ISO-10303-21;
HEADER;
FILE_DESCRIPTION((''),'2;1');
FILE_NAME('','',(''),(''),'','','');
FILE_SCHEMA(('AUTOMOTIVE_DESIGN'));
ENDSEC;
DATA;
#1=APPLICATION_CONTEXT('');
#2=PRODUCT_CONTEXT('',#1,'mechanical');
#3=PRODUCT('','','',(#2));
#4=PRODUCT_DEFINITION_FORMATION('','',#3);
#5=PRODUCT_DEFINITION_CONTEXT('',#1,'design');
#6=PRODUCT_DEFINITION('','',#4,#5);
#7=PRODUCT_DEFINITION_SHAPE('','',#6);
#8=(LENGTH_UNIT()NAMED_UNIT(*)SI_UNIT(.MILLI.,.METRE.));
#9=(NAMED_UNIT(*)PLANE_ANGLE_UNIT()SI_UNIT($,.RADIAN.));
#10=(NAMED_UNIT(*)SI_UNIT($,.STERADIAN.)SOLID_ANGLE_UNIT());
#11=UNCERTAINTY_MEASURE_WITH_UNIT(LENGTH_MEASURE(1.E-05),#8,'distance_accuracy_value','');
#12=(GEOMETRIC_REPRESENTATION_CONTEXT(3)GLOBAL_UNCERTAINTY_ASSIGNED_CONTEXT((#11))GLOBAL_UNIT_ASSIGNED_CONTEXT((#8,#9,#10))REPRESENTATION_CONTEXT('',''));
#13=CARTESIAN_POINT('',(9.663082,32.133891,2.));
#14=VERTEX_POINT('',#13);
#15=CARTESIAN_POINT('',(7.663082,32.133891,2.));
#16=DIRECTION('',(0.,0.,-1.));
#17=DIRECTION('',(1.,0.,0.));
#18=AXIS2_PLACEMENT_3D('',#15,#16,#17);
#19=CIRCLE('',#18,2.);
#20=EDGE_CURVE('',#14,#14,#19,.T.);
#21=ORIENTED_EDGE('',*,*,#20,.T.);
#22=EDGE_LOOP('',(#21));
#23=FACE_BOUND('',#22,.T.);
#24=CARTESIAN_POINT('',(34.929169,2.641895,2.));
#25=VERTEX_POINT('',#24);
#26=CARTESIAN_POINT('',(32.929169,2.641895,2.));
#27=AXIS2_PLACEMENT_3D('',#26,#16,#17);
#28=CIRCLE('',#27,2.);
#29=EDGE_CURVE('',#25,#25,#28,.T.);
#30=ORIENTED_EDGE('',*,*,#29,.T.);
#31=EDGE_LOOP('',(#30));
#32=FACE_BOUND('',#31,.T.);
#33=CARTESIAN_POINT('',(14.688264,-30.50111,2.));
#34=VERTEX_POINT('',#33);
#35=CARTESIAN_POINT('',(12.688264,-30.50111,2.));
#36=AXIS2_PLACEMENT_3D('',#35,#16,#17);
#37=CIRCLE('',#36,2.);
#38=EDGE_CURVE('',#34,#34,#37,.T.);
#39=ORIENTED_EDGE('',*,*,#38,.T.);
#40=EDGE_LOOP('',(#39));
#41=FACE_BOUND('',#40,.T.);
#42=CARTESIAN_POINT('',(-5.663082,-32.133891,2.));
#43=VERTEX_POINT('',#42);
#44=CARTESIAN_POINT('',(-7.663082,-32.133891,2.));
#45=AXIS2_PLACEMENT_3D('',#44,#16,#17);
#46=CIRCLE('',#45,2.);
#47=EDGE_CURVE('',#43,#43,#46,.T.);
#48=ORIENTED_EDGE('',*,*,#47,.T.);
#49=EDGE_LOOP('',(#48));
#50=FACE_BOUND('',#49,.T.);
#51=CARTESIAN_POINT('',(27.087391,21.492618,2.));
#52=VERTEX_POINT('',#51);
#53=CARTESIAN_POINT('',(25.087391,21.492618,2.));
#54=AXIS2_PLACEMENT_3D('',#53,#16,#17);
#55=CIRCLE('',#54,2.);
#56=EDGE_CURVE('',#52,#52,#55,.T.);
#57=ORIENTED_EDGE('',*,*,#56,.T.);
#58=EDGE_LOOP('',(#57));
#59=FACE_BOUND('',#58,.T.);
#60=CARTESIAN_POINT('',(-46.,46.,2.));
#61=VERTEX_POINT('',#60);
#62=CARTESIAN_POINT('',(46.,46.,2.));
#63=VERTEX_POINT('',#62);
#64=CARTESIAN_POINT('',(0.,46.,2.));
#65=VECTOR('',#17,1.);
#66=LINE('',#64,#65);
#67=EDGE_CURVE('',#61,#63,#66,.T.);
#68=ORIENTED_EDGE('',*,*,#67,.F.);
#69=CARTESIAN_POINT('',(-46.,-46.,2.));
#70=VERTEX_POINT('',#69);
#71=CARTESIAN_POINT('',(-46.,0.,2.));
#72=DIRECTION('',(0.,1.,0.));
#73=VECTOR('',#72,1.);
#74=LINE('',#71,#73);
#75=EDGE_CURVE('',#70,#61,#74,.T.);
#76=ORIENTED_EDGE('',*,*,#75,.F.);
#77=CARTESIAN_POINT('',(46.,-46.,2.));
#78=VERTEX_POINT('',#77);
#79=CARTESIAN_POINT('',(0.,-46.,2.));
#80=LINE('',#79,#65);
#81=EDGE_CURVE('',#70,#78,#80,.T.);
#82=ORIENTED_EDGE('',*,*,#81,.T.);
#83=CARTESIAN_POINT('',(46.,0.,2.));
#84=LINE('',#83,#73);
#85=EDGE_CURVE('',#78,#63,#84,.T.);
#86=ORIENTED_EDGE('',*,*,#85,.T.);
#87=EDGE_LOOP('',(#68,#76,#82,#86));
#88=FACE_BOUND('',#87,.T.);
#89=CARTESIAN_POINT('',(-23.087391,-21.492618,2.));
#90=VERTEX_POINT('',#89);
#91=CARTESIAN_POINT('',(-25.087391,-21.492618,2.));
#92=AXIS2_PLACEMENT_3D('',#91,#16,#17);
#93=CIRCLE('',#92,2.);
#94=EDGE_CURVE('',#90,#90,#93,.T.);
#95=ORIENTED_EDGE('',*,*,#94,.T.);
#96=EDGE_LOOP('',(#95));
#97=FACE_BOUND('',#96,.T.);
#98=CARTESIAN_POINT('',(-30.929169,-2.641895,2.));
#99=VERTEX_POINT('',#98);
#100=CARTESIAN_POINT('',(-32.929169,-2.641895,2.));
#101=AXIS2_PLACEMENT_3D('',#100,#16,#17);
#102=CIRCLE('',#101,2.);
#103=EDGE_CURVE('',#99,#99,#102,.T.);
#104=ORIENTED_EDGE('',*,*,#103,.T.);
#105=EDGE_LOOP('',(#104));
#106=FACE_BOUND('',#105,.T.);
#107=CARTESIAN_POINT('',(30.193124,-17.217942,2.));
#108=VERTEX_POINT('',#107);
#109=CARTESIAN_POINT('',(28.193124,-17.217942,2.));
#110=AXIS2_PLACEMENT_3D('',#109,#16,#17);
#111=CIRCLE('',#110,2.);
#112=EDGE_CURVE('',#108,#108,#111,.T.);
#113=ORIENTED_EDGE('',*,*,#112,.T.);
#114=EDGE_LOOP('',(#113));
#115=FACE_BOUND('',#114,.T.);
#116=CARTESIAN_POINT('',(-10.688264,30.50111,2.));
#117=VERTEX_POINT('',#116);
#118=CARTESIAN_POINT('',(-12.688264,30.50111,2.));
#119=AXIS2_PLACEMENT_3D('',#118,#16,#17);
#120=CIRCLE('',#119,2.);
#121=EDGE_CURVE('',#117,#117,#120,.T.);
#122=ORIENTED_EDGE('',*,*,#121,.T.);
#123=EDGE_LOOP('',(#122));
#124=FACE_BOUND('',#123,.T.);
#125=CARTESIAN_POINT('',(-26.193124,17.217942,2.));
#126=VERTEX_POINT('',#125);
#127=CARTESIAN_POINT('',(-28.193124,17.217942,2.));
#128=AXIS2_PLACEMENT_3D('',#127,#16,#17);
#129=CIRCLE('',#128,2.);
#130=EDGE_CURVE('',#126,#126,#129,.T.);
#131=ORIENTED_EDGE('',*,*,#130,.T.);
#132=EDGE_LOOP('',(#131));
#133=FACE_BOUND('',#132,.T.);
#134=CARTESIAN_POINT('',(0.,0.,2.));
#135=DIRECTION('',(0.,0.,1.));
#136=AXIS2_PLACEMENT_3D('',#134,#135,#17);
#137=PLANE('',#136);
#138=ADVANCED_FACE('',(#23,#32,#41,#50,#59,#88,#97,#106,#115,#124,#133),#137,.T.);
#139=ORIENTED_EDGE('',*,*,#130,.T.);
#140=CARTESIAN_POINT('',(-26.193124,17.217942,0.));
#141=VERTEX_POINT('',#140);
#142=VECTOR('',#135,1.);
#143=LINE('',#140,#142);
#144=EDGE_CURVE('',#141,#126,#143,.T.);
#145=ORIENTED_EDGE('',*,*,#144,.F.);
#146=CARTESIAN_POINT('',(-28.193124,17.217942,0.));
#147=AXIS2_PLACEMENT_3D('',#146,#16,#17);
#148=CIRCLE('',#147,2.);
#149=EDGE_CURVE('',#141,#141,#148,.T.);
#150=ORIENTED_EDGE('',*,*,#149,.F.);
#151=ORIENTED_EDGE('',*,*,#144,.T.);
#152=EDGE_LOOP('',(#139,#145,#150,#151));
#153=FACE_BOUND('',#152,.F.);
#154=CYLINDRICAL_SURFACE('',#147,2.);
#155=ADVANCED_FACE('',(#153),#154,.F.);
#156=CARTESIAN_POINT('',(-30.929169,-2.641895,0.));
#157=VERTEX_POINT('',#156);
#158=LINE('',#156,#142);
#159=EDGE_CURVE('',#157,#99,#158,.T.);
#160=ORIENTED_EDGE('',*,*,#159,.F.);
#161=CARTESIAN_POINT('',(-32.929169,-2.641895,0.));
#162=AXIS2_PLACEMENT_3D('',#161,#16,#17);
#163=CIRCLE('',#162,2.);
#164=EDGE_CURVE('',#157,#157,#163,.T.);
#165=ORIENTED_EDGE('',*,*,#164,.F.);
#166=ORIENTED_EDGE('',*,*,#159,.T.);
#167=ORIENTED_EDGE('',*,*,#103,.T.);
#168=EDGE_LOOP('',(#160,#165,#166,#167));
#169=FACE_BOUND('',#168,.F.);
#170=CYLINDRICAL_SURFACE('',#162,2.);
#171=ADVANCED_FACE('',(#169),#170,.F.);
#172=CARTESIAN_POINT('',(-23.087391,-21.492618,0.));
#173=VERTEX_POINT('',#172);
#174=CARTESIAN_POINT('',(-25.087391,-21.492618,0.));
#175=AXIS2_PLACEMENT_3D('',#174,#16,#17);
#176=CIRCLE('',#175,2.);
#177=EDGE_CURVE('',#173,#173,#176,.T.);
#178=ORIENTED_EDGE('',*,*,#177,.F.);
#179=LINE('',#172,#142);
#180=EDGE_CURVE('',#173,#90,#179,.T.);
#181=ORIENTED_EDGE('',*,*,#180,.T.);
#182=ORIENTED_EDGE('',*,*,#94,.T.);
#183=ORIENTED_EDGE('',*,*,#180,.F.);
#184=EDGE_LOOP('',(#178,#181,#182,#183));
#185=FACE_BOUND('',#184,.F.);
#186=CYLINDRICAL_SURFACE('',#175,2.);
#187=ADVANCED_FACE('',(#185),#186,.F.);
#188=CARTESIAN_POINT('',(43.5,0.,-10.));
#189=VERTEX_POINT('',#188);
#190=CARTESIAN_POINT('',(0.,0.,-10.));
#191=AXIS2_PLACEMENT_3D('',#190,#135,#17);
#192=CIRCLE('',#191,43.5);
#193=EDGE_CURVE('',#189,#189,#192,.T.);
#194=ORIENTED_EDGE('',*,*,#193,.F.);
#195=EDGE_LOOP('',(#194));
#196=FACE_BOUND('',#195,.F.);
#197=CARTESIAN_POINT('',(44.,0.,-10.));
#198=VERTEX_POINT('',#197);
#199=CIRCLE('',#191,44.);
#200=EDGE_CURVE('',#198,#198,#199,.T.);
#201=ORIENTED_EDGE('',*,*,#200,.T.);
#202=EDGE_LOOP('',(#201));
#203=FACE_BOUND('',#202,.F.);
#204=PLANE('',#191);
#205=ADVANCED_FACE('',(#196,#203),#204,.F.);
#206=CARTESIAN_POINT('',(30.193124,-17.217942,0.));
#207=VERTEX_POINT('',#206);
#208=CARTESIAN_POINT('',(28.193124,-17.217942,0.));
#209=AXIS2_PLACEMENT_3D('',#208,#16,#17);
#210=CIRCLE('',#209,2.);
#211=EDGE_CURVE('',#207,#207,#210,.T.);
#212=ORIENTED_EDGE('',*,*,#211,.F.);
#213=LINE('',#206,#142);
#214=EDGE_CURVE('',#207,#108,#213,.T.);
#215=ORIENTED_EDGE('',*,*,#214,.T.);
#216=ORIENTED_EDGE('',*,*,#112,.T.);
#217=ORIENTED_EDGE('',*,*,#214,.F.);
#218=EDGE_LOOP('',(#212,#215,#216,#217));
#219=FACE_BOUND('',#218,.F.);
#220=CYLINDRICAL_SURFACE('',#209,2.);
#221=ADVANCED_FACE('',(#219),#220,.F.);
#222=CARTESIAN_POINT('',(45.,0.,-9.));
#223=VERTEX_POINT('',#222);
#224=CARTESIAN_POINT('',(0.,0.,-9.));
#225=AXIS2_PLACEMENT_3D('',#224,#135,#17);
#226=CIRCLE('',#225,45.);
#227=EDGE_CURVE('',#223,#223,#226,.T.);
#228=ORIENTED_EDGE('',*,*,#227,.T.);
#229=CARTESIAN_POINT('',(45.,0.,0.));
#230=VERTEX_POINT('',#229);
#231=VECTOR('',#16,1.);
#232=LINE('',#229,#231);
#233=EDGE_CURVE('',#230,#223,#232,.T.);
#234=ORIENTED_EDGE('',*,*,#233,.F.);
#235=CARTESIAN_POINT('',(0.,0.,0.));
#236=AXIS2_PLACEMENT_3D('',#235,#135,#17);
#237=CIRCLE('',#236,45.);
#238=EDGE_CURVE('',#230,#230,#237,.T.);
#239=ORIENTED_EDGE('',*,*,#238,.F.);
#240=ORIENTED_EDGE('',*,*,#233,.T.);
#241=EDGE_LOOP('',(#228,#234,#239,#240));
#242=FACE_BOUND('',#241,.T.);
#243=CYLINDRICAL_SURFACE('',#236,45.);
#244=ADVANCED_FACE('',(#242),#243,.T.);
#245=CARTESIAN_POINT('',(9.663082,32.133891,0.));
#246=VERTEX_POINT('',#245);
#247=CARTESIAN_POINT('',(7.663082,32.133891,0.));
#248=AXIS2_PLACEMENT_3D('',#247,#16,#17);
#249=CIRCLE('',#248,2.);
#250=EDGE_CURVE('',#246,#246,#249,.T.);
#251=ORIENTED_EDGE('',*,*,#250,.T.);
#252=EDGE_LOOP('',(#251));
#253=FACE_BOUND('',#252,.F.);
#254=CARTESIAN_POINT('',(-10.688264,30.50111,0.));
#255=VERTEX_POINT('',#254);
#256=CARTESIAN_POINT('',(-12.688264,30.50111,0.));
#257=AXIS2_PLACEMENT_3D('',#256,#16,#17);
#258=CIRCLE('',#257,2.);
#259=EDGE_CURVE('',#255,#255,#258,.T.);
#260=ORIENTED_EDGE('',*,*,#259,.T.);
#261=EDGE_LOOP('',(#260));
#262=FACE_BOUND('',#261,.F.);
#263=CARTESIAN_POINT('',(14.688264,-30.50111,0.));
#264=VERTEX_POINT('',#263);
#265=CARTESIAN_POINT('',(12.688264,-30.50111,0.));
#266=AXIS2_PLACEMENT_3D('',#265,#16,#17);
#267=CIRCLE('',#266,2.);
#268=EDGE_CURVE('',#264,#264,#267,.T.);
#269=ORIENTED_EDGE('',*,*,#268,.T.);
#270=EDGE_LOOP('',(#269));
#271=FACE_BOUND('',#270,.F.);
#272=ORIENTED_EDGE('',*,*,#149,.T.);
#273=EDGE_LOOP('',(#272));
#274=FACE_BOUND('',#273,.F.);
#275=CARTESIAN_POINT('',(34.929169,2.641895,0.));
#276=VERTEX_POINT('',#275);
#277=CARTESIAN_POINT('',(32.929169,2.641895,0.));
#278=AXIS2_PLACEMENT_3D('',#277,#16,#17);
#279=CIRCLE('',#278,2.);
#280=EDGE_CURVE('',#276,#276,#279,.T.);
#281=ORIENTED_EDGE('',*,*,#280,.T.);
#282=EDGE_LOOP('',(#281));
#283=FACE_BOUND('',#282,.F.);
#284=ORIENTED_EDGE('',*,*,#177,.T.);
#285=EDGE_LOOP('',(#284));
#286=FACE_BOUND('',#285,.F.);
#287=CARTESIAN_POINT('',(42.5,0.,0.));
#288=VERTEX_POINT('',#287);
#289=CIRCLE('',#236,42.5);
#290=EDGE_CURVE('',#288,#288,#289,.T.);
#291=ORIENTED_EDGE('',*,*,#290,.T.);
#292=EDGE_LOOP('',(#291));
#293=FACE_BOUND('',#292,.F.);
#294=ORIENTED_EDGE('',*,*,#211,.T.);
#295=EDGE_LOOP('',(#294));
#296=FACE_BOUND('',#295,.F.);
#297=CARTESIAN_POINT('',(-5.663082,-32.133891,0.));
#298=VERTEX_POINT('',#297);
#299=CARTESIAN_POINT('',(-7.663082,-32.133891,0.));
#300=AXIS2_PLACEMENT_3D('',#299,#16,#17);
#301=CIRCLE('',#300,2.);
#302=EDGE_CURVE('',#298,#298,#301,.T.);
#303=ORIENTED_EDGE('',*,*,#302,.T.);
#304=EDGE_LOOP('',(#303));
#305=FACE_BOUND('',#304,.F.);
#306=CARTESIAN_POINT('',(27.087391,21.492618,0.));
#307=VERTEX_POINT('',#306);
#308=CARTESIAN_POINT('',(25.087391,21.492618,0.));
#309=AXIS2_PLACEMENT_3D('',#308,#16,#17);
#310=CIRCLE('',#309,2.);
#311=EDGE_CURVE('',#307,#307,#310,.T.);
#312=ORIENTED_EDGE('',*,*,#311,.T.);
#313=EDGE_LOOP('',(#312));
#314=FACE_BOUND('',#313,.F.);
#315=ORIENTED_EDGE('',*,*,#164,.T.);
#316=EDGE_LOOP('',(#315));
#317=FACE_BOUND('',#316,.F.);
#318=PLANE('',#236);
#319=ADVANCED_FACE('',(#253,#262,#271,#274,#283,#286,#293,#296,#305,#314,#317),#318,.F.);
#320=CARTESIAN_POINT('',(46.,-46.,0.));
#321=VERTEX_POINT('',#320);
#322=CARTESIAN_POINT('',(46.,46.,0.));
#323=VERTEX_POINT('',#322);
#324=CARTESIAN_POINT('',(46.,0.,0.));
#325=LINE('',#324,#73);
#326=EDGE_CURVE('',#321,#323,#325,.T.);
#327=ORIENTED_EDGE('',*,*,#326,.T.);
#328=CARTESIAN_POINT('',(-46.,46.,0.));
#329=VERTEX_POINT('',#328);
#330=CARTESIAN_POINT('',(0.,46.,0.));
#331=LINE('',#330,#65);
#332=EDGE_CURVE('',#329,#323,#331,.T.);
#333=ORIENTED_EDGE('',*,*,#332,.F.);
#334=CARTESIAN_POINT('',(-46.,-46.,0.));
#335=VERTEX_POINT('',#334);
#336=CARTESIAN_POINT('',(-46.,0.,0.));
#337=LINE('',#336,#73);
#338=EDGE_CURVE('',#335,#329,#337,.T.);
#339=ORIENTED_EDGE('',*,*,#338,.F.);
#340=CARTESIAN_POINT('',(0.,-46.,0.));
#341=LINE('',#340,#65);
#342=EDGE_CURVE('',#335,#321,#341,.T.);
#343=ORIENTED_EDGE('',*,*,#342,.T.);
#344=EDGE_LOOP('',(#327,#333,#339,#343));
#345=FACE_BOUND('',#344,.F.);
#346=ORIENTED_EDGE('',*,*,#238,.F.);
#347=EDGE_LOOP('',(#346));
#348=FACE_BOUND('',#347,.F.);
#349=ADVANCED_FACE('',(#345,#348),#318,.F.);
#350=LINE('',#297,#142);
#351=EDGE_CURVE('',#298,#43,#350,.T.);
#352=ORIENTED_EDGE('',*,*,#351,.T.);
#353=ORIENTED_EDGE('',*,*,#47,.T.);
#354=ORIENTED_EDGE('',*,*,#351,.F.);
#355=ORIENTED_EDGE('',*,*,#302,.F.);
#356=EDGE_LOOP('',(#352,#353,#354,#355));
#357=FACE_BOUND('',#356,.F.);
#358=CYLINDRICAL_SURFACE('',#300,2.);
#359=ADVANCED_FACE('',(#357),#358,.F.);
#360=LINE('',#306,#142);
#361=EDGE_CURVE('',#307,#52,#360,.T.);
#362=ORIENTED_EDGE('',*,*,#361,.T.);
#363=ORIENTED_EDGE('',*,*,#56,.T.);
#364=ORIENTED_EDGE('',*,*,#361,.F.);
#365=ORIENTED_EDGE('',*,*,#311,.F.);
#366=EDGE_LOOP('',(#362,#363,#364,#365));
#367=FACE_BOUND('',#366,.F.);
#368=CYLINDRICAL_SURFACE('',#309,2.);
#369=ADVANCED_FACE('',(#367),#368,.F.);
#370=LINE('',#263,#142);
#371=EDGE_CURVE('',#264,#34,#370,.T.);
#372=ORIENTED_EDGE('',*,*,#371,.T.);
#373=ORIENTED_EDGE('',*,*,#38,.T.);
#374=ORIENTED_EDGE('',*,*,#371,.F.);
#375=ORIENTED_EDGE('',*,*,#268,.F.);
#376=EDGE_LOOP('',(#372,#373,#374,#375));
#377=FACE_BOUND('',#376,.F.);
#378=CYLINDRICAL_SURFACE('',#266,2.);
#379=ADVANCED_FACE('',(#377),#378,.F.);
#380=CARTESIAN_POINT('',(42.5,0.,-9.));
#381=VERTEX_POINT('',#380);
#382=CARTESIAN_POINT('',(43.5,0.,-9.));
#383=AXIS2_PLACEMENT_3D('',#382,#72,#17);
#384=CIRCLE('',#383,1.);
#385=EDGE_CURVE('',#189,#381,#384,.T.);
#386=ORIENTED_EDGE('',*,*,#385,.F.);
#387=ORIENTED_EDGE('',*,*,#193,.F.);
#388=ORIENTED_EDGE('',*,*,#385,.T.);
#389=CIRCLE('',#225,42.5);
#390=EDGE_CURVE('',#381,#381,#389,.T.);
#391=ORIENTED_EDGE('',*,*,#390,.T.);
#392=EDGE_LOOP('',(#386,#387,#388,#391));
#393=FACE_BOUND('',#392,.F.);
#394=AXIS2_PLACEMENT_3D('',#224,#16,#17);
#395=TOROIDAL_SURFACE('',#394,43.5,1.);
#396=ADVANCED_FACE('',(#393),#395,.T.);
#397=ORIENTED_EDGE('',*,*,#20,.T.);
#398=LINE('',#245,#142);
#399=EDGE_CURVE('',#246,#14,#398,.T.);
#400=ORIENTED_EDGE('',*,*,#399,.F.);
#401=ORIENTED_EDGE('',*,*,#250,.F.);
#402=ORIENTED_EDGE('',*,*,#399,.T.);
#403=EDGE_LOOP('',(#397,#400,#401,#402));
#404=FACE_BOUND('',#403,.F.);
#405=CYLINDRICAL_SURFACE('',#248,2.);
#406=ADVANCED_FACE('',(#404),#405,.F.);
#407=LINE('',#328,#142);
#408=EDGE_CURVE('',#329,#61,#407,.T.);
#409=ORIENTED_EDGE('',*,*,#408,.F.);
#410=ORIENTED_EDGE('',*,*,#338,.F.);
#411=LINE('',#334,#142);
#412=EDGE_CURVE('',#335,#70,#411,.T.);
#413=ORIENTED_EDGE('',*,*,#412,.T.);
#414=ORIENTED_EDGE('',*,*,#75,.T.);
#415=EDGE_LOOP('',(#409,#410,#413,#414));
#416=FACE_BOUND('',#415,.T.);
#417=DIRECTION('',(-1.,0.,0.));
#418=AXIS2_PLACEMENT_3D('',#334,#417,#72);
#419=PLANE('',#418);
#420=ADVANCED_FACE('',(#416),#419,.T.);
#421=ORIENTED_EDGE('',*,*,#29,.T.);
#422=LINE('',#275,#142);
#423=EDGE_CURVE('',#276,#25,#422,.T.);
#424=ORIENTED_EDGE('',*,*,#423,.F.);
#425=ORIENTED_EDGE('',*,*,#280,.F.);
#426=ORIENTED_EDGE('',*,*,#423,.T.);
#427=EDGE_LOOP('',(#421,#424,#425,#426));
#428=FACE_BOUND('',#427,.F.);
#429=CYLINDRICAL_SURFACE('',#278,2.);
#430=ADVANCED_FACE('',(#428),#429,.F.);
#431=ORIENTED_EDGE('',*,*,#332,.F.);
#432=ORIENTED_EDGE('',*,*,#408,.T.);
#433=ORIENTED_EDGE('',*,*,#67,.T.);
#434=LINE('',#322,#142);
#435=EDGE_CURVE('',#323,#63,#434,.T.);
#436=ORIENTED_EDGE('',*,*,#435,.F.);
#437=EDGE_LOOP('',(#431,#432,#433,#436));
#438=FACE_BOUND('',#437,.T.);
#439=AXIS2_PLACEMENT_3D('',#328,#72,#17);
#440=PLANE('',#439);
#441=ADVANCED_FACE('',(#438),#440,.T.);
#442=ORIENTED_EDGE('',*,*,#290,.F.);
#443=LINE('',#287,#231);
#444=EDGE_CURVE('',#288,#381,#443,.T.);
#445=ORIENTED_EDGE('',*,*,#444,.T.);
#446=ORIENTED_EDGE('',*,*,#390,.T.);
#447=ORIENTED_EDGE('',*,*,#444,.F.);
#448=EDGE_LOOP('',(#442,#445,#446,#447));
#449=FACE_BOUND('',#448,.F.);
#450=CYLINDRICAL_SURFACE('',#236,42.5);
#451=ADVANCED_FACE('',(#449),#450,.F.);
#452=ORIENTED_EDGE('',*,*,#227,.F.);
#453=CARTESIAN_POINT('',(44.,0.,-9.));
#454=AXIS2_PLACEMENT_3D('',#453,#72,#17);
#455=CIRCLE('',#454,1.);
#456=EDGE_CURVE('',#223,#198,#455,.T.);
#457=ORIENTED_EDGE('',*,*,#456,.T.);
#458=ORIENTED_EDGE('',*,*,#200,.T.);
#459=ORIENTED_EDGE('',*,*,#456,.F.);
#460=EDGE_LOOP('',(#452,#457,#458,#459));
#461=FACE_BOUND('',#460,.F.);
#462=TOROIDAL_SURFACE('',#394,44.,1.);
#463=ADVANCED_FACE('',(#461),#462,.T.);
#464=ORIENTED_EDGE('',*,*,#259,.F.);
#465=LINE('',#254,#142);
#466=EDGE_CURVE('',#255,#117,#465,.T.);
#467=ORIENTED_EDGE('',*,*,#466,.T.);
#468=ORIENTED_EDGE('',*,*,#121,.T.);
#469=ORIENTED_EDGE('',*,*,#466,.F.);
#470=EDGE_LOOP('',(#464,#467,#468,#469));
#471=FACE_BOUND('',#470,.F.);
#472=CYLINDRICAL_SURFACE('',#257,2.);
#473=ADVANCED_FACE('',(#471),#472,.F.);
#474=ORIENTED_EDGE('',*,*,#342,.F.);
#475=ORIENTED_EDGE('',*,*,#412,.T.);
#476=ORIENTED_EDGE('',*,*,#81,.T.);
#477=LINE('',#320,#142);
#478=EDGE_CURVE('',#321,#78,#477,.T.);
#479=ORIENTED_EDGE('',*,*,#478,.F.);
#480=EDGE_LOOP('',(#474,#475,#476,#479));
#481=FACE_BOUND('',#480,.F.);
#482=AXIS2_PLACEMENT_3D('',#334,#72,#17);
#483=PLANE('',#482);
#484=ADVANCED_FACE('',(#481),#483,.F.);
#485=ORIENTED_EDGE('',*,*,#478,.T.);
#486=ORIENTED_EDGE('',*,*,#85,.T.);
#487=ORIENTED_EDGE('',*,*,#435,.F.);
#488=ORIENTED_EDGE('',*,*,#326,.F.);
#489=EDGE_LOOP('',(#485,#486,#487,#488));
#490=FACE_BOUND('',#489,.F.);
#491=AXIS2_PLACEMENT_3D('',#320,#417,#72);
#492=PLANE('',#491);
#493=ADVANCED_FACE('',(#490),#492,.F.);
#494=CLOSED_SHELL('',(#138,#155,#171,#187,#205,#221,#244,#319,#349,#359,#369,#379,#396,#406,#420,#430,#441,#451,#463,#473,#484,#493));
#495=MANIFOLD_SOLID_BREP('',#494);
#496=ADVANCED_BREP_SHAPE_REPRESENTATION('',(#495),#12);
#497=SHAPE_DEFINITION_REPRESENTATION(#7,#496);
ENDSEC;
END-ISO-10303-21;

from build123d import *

# Parameters (mm, degrees)
F0_R     = 45
F1_DEPTH = 10
F2_T     = -2.5
F3_W     = 92
F3_H     = 92
F4_DEPTH = 2
F5_R     = 2
F6_DEPTH = 6
F7_R     = 1


with BuildPart() as f1:
    # F0 (on Top) → F1 (new body)
    with BuildSketch(Plane.XY):
        Circle(F0_R)
    extrude(amount=-F1_DEPTH)

    # F2
    f2_openings = [f1.faces().sort_by_distance(p)[0] for p in [
        (0, 0, 0),
        (0, 0, -10),
    ]]
    offset(amount=F2_T, openings=f2_openings)

    # F3 (on face) → F4 (join)
    with BuildSketch(Plane.XY):
        Rectangle(F3_W, F3_H)
    extrude(amount=F4_DEPTH)

    # F5 (on face) → F6 (cut)
    with BuildSketch(Plane(origin=(0, 0, 0), x_dir=(1, 0, 0), z_dir=(0, 0, -1))):
        with Locations((-7.6630815103, 32.1338913288)):
            Circle(F5_R)
        with Locations((12.6882642508, 30.5011104792)):
            Circle(F5_R)
        with Locations((28.1931243262, 17.2179421212)):
            Circle(F5_R)
        with Locations((32.9291691581, -2.6418949108)):
            Circle(F5_R)
        with Locations((25.0873905929, -21.4926178815)):
            Circle(F5_R)
        with Locations((-25.0873905929, 21.4926178815)):
            Circle(F5_R)
        with Locations((-32.9291691581, 2.6418949108)):
            Circle(F5_R)
        with Locations((-28.1931243262, -17.2179421212)):
            Circle(F5_R)
        with Locations((-12.6882642508, -30.5011104792)):
            Circle(F5_R)
        with Locations((7.6630815103, -32.1338913288)):
            Circle(F5_R)
    extrude(amount=-F6_DEPTH, mode=Mode.SUBTRACT)

    # F7
    f7_edges = [f1.edges().sort_by_distance(p)[0] for p in [
        (-45, 0, -10),
        (-42.5, 0, -10),
    ]]
    fillet(f7_edges, radius=F7_R)


solid = f1.part
